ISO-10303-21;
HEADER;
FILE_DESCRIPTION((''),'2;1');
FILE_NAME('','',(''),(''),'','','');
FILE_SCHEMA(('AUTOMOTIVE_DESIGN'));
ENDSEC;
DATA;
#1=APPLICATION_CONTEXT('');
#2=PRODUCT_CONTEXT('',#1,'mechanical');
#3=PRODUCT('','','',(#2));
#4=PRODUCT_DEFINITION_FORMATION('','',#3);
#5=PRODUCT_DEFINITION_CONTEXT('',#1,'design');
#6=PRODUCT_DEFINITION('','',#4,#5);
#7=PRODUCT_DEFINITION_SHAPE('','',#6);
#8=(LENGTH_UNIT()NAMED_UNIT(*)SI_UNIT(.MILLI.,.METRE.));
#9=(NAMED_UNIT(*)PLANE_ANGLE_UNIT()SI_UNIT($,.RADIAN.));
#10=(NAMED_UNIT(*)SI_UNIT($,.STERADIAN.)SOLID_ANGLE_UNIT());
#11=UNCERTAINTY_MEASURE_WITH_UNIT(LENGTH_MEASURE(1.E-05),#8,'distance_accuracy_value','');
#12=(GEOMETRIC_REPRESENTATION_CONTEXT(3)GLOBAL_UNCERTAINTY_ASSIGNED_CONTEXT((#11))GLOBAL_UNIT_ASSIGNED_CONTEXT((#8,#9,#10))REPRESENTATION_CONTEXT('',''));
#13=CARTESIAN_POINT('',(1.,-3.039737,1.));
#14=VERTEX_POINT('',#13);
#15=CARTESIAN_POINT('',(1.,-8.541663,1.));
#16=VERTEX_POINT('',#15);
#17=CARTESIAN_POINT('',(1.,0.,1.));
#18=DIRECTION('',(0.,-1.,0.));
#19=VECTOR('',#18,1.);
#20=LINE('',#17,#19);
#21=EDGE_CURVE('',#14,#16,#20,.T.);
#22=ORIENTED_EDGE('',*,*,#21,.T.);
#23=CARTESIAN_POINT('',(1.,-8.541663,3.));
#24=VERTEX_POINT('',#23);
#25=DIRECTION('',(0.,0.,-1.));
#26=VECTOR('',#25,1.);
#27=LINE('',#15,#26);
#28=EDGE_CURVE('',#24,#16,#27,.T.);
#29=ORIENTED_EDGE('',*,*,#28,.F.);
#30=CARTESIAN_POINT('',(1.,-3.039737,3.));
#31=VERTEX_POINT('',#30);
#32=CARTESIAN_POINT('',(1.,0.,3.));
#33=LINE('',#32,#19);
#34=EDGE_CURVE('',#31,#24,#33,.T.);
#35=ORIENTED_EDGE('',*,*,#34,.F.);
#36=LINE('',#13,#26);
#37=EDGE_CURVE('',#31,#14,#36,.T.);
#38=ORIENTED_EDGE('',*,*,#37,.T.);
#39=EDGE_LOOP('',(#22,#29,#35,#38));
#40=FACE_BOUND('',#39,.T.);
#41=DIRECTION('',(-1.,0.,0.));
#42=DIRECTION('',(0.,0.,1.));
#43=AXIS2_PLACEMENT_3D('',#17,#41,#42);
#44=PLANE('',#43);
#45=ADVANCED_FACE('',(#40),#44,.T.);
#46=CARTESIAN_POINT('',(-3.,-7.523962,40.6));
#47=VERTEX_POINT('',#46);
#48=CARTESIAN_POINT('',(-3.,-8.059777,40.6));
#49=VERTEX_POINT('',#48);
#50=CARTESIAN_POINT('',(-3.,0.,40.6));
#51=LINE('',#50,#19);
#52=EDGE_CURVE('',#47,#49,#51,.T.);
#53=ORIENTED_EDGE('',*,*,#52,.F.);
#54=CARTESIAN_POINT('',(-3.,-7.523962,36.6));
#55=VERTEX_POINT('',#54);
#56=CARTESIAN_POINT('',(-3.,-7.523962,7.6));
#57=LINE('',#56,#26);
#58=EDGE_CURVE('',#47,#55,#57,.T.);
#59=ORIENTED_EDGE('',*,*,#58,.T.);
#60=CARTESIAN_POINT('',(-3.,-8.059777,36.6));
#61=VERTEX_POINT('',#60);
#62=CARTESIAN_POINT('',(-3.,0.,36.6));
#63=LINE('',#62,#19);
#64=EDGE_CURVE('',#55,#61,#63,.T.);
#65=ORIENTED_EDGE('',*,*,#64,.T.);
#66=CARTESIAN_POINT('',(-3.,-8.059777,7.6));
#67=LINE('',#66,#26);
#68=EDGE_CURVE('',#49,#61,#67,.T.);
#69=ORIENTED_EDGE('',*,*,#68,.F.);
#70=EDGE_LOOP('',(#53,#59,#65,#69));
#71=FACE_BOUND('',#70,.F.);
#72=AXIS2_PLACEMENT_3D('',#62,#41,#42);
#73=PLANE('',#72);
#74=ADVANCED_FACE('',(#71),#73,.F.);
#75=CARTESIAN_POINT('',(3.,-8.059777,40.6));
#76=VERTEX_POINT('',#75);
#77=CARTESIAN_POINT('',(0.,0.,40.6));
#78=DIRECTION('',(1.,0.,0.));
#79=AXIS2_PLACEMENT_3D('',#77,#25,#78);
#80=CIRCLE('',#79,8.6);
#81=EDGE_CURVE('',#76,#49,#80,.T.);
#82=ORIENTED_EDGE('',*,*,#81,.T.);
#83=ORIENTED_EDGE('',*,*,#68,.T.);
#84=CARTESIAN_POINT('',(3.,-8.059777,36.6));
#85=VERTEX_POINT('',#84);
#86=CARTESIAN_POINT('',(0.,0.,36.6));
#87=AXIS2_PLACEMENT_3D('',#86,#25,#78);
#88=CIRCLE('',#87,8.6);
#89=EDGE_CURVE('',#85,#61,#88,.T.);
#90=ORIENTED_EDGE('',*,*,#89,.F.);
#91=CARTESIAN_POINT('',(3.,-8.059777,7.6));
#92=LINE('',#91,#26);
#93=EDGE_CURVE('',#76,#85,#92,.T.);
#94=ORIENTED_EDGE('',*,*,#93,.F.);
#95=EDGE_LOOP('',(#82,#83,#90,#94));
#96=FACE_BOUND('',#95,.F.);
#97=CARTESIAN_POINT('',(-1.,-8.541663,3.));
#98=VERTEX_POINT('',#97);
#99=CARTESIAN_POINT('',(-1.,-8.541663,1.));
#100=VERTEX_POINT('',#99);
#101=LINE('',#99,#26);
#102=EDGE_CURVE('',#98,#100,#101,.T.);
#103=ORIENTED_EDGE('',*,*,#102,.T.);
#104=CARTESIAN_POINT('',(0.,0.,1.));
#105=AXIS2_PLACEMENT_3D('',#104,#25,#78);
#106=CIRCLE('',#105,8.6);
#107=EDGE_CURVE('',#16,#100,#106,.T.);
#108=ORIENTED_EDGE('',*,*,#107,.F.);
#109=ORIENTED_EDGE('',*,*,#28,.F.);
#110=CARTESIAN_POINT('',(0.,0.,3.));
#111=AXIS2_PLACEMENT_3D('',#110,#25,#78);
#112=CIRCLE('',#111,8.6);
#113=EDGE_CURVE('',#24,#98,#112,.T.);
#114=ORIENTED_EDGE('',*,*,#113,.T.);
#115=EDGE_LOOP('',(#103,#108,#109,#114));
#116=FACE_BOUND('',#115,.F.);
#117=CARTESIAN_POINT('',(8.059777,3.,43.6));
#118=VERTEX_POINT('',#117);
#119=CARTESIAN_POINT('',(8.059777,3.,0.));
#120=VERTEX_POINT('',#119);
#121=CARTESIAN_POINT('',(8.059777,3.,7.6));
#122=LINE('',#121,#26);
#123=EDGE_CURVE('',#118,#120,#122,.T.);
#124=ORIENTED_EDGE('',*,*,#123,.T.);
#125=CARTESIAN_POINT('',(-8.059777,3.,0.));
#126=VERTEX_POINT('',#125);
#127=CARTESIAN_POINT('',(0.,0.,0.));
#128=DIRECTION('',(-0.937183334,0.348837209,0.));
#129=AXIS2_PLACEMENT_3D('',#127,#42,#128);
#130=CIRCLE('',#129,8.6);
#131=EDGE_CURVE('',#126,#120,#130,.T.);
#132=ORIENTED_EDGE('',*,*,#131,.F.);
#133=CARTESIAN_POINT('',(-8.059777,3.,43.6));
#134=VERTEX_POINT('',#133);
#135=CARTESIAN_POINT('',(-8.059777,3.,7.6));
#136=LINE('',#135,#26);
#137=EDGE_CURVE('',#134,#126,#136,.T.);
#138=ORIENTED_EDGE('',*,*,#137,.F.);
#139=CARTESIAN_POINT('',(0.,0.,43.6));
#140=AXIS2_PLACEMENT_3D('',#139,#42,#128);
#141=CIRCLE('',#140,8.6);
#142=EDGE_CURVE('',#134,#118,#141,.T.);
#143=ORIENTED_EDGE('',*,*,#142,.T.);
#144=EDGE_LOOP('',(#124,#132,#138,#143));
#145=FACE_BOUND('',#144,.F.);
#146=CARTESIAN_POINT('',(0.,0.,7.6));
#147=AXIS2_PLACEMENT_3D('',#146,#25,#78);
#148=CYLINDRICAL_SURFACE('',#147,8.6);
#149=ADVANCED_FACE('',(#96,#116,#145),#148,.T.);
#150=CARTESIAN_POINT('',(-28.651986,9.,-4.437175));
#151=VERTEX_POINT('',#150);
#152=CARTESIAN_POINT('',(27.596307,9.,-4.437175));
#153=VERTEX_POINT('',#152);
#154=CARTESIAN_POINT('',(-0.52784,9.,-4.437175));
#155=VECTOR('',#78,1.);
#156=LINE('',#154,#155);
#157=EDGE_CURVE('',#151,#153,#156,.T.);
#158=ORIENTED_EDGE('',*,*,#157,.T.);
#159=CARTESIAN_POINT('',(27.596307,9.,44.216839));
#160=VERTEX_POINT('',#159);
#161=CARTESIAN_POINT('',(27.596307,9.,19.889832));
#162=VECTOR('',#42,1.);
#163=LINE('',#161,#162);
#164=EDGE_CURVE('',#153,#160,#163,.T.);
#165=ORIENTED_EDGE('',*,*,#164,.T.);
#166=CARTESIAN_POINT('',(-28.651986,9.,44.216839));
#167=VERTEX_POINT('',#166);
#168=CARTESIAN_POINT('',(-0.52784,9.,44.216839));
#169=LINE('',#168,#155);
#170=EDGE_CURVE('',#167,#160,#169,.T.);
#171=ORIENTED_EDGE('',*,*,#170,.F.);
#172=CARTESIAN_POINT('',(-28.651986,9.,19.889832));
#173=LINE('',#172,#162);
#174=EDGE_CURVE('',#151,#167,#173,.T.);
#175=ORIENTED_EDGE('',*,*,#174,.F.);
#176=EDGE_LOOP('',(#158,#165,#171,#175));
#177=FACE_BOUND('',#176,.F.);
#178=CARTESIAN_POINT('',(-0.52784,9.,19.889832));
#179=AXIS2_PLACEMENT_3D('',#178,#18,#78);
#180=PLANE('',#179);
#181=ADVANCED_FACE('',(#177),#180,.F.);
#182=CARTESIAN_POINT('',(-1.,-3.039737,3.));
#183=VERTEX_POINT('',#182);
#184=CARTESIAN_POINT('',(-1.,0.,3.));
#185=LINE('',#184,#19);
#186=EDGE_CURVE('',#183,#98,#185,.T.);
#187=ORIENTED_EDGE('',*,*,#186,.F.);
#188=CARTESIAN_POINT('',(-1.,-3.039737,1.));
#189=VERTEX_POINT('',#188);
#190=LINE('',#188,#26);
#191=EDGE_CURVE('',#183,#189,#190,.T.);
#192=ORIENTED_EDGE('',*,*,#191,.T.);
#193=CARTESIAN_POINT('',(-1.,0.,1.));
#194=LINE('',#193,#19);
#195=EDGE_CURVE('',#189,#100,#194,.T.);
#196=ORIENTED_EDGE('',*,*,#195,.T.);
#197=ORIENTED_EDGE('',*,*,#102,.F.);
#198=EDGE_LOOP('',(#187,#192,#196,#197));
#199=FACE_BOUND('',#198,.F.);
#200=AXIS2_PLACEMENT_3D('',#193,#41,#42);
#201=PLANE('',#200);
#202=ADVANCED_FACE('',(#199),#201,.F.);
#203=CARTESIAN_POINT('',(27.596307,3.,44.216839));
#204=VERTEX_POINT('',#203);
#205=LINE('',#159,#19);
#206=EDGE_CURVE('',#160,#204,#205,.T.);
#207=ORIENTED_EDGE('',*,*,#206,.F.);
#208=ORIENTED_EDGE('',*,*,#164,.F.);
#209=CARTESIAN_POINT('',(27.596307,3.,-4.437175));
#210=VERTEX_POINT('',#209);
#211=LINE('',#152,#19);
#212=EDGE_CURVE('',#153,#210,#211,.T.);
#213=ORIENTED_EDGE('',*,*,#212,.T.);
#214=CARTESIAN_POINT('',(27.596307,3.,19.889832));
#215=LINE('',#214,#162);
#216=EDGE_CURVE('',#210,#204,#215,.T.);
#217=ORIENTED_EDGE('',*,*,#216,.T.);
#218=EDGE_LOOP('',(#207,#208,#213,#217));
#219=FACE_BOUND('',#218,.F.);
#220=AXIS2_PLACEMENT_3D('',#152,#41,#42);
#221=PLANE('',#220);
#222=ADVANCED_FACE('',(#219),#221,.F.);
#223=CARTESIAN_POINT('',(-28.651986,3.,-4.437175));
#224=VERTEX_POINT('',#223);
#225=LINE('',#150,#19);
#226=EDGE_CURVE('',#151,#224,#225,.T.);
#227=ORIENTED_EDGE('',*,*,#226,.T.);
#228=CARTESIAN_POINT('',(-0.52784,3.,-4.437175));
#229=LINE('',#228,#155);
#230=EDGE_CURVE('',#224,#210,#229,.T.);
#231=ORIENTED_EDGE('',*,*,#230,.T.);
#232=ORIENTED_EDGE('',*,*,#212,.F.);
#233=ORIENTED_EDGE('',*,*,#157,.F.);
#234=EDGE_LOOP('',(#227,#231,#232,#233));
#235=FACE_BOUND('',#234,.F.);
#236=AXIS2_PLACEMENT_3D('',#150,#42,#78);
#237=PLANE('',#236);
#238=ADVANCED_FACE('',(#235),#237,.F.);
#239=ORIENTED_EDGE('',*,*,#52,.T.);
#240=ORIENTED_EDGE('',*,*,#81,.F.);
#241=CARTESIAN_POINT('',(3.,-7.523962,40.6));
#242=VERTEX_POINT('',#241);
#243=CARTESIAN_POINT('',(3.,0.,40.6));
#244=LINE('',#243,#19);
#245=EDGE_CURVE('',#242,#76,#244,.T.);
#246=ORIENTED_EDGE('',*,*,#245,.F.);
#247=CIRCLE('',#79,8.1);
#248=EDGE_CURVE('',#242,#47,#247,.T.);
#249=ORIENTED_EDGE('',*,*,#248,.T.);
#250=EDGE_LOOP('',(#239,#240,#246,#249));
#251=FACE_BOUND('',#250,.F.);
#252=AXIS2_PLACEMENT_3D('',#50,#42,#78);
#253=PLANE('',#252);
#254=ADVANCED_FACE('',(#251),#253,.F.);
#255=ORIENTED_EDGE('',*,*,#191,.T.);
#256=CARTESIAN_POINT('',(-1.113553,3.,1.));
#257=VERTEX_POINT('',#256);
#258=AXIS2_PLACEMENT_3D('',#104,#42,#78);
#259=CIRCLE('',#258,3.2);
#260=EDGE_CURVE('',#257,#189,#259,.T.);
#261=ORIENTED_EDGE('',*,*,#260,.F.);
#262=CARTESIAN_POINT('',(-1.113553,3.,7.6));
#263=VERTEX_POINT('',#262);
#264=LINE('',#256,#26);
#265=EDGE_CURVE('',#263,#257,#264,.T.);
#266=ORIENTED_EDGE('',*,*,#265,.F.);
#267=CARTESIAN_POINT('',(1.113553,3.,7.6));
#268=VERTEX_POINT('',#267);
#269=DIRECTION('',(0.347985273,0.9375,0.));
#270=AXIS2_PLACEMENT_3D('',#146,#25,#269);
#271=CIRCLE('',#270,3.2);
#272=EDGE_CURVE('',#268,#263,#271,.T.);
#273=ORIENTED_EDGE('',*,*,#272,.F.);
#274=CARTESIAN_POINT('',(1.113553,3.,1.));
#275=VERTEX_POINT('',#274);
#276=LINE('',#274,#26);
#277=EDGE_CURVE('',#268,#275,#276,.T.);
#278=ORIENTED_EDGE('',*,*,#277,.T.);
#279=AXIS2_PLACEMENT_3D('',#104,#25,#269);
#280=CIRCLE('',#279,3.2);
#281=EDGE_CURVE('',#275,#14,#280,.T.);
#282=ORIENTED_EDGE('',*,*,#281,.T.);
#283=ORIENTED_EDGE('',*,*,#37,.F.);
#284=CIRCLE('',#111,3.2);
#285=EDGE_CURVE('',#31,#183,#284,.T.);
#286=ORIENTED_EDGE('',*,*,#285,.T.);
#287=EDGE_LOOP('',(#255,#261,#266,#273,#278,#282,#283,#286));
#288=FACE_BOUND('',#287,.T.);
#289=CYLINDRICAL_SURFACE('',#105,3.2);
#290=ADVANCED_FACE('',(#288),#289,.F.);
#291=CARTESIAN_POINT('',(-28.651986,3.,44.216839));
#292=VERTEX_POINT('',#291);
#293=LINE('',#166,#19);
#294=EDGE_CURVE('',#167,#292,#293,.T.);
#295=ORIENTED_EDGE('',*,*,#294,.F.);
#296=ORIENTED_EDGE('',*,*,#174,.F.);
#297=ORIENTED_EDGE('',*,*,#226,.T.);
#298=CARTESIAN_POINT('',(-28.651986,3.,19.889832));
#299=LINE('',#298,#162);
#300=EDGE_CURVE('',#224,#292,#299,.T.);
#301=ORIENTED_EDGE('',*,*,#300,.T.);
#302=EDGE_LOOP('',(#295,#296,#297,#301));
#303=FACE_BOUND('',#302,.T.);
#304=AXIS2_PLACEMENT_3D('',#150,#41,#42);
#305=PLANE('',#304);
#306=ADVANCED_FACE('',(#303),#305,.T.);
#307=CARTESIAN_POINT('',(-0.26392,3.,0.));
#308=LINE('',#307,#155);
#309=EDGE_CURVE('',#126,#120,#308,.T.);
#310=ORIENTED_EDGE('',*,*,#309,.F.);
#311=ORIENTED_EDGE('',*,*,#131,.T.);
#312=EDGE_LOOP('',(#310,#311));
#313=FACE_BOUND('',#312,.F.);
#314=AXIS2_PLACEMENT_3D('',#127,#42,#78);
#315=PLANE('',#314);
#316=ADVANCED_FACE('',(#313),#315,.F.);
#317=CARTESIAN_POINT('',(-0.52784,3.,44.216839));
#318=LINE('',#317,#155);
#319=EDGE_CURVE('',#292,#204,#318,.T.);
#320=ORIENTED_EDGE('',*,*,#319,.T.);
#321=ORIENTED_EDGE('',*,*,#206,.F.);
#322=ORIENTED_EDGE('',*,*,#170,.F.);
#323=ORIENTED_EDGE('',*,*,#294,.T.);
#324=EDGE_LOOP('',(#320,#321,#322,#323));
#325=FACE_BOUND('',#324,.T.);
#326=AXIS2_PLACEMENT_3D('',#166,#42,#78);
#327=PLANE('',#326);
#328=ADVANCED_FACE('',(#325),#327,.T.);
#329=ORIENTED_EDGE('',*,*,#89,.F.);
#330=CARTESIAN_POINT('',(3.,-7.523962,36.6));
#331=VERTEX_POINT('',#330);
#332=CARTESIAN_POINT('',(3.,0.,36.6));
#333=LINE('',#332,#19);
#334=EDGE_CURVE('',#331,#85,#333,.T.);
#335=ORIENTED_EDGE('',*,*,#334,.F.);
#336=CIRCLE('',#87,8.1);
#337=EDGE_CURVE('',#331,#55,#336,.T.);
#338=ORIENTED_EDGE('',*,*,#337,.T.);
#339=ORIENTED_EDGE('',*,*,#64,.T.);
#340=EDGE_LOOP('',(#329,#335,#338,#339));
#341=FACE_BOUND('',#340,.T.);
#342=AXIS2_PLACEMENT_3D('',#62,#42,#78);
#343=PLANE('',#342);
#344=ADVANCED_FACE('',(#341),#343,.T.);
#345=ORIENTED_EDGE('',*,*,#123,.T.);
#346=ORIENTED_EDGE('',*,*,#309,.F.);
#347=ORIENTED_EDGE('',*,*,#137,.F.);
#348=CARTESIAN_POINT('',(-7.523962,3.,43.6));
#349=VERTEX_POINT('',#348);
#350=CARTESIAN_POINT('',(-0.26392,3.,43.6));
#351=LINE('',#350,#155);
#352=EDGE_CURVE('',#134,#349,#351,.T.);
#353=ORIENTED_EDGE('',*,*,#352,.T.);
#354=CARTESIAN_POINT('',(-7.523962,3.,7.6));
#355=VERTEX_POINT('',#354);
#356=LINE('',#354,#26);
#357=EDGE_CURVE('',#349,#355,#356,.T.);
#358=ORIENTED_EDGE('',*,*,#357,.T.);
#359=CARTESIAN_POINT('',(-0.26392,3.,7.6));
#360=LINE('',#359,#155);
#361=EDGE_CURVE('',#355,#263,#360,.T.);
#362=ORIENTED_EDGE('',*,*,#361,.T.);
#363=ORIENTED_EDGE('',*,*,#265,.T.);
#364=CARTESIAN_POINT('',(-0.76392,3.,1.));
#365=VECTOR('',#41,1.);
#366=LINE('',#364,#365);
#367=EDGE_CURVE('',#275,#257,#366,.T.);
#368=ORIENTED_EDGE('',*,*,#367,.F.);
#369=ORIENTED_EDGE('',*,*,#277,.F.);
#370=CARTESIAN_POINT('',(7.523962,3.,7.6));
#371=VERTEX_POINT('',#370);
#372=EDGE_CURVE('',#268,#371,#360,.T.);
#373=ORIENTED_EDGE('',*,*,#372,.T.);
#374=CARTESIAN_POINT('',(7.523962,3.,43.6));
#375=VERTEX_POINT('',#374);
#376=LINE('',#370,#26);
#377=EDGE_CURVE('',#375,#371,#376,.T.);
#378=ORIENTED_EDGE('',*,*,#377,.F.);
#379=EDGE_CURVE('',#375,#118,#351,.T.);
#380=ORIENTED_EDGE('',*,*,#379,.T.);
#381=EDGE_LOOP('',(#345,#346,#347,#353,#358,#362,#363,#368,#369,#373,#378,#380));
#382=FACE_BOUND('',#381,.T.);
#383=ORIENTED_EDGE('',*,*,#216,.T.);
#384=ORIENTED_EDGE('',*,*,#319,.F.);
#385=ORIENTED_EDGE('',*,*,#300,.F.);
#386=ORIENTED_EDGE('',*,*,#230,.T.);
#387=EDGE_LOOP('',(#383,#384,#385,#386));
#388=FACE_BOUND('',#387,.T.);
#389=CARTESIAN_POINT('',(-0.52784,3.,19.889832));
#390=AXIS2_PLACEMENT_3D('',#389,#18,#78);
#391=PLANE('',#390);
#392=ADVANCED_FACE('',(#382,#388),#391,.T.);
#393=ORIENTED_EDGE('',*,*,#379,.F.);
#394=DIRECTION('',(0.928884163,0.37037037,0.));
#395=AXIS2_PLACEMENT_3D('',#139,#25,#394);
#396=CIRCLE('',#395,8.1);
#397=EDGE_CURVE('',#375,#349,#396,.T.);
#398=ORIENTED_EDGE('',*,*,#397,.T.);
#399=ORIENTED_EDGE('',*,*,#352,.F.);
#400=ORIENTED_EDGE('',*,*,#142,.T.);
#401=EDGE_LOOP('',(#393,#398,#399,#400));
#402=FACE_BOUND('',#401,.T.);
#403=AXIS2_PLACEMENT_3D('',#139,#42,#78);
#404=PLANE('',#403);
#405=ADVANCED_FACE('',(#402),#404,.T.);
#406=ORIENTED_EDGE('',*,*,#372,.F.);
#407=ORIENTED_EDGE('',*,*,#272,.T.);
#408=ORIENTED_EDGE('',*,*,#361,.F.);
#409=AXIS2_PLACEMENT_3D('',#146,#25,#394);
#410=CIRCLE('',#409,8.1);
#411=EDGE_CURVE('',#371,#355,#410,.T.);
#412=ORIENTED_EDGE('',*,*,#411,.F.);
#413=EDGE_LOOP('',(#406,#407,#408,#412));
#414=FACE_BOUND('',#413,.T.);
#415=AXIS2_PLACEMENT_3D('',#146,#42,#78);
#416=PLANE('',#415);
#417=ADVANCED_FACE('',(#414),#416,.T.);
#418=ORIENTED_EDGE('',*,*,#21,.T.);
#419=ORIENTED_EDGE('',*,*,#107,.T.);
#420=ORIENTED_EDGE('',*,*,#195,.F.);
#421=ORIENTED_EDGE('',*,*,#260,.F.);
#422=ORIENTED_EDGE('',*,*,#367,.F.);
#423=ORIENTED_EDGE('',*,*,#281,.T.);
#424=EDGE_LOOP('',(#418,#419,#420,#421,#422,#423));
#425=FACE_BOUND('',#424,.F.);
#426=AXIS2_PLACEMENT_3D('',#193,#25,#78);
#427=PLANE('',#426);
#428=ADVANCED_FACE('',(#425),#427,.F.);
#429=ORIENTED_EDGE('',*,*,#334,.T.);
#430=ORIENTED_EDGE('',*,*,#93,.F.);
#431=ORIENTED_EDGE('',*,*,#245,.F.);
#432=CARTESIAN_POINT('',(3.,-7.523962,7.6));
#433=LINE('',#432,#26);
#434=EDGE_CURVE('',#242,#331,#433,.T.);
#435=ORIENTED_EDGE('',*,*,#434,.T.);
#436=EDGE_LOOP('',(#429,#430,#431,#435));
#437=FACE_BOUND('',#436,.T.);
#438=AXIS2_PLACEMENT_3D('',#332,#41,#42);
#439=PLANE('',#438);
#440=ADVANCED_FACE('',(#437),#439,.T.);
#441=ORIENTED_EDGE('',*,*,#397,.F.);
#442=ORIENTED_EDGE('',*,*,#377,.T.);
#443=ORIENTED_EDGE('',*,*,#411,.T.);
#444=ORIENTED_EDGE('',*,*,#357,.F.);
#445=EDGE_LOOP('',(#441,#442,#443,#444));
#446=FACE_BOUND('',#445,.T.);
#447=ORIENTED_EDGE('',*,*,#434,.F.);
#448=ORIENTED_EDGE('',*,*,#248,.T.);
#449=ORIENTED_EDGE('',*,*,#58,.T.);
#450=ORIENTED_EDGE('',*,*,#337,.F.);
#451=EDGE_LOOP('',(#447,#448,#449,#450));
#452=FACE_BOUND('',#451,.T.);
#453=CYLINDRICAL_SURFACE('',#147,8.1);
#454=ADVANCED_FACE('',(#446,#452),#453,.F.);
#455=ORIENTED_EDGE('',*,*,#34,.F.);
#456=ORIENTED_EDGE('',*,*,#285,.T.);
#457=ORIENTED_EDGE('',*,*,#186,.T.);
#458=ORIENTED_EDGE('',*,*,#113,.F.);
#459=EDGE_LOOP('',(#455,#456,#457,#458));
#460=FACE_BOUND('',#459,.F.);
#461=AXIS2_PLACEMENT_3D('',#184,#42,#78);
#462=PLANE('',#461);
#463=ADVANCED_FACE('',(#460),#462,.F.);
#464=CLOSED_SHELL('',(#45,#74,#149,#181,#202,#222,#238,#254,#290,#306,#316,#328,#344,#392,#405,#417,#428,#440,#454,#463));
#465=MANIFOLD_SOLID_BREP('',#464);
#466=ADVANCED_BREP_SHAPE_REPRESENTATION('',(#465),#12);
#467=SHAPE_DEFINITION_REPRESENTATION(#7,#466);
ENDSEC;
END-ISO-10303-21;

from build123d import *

# Parameters (mm, degrees)
SKETCH_R             = 8.6
PAD_DEPTH            = 1
SKETCH001_R          = 8.6
SKETCH001_R_2        = 3.2
PAD001_DEPTH         = 6.6
SKETCH002_W          = 2
SKETCH002_H          = 2
POCKET_DEPTH         = 8.601
POCKET_DEPTH_BACK    = -8.601
SKETCH003_R          = 8.6
SKETCH003_R_2        = 8.1
PAD002_DEPTH         = 36
SKETCH004_W          = 6
SKETCH004_H          = 4
POCKET001_DEPTH      = 8.601
POCKET001_DEPTH_BACK = -8.601
SKETCH006_W          = 56.248293
SKETCH006_H          = 48.654014
PAD003_DEPTH         = 6


with BuildPart() as part:
    # Sketch → Pad (new body)
    with BuildSketch(Plane.XY):
        Circle(SKETCH_R)
    extrude(amount=PAD_DEPTH)

    # Sketch001 (on Face3 of Pad) → Pad001 (join)
    with BuildSketch(Plane.XY.offset(1)):
        Circle(SKETCH001_R)
        Circle(SKETCH001_R_2, mode=Mode.SUBTRACT)
    extrude(amount=PAD001_DEPTH)

    # Sketch002 → Pocket (cut, two sides)
    with BuildSketch(Plane.XZ) as pocket_sk:
        with Locations((0, 2)):
            Rectangle(SKETCH002_W, SKETCH002_H)
    extrude(amount=-POCKET_DEPTH, mode=Mode.SUBTRACT)
    extrude(pocket_sk.sketch, amount=-POCKET_DEPTH_BACK, mode=Mode.SUBTRACT)

    # Sketch003 (on Face12 of Pocket) → Pad002 (join)
    with BuildSketch(Plane.XY.offset(7.6)):
        Circle(SKETCH003_R)
        Circle(SKETCH003_R_2, mode=Mode.SUBTRACT)
    extrude(amount=PAD002_DEPTH)

    # Sketch004 → Pocket001 (cut, two sides)
    with BuildSketch(Plane.XZ) as pocket001_sk:
        with Locations((0, 38.6)):
            Rectangle(SKETCH004_W, SKETCH004_H)
    extrude(amount=-POCKET001_DEPTH, mode=Mode.SUBTRACT)
    extrude(pocket001_sk.sketch, amount=-POCKET001_DEPTH_BACK, mode=Mode.SUBTRACT)

    # Sketch006 (on DatumPlane) → Pad003 (join)
    with BuildSketch(Plane.XZ.offset(-9)):
        with Locations((-0.52784, 19.889832)):
            Rectangle(SKETCH006_W, SKETCH006_H)
    extrude(amount=PAD003_DEPTH)


solid = part.part
